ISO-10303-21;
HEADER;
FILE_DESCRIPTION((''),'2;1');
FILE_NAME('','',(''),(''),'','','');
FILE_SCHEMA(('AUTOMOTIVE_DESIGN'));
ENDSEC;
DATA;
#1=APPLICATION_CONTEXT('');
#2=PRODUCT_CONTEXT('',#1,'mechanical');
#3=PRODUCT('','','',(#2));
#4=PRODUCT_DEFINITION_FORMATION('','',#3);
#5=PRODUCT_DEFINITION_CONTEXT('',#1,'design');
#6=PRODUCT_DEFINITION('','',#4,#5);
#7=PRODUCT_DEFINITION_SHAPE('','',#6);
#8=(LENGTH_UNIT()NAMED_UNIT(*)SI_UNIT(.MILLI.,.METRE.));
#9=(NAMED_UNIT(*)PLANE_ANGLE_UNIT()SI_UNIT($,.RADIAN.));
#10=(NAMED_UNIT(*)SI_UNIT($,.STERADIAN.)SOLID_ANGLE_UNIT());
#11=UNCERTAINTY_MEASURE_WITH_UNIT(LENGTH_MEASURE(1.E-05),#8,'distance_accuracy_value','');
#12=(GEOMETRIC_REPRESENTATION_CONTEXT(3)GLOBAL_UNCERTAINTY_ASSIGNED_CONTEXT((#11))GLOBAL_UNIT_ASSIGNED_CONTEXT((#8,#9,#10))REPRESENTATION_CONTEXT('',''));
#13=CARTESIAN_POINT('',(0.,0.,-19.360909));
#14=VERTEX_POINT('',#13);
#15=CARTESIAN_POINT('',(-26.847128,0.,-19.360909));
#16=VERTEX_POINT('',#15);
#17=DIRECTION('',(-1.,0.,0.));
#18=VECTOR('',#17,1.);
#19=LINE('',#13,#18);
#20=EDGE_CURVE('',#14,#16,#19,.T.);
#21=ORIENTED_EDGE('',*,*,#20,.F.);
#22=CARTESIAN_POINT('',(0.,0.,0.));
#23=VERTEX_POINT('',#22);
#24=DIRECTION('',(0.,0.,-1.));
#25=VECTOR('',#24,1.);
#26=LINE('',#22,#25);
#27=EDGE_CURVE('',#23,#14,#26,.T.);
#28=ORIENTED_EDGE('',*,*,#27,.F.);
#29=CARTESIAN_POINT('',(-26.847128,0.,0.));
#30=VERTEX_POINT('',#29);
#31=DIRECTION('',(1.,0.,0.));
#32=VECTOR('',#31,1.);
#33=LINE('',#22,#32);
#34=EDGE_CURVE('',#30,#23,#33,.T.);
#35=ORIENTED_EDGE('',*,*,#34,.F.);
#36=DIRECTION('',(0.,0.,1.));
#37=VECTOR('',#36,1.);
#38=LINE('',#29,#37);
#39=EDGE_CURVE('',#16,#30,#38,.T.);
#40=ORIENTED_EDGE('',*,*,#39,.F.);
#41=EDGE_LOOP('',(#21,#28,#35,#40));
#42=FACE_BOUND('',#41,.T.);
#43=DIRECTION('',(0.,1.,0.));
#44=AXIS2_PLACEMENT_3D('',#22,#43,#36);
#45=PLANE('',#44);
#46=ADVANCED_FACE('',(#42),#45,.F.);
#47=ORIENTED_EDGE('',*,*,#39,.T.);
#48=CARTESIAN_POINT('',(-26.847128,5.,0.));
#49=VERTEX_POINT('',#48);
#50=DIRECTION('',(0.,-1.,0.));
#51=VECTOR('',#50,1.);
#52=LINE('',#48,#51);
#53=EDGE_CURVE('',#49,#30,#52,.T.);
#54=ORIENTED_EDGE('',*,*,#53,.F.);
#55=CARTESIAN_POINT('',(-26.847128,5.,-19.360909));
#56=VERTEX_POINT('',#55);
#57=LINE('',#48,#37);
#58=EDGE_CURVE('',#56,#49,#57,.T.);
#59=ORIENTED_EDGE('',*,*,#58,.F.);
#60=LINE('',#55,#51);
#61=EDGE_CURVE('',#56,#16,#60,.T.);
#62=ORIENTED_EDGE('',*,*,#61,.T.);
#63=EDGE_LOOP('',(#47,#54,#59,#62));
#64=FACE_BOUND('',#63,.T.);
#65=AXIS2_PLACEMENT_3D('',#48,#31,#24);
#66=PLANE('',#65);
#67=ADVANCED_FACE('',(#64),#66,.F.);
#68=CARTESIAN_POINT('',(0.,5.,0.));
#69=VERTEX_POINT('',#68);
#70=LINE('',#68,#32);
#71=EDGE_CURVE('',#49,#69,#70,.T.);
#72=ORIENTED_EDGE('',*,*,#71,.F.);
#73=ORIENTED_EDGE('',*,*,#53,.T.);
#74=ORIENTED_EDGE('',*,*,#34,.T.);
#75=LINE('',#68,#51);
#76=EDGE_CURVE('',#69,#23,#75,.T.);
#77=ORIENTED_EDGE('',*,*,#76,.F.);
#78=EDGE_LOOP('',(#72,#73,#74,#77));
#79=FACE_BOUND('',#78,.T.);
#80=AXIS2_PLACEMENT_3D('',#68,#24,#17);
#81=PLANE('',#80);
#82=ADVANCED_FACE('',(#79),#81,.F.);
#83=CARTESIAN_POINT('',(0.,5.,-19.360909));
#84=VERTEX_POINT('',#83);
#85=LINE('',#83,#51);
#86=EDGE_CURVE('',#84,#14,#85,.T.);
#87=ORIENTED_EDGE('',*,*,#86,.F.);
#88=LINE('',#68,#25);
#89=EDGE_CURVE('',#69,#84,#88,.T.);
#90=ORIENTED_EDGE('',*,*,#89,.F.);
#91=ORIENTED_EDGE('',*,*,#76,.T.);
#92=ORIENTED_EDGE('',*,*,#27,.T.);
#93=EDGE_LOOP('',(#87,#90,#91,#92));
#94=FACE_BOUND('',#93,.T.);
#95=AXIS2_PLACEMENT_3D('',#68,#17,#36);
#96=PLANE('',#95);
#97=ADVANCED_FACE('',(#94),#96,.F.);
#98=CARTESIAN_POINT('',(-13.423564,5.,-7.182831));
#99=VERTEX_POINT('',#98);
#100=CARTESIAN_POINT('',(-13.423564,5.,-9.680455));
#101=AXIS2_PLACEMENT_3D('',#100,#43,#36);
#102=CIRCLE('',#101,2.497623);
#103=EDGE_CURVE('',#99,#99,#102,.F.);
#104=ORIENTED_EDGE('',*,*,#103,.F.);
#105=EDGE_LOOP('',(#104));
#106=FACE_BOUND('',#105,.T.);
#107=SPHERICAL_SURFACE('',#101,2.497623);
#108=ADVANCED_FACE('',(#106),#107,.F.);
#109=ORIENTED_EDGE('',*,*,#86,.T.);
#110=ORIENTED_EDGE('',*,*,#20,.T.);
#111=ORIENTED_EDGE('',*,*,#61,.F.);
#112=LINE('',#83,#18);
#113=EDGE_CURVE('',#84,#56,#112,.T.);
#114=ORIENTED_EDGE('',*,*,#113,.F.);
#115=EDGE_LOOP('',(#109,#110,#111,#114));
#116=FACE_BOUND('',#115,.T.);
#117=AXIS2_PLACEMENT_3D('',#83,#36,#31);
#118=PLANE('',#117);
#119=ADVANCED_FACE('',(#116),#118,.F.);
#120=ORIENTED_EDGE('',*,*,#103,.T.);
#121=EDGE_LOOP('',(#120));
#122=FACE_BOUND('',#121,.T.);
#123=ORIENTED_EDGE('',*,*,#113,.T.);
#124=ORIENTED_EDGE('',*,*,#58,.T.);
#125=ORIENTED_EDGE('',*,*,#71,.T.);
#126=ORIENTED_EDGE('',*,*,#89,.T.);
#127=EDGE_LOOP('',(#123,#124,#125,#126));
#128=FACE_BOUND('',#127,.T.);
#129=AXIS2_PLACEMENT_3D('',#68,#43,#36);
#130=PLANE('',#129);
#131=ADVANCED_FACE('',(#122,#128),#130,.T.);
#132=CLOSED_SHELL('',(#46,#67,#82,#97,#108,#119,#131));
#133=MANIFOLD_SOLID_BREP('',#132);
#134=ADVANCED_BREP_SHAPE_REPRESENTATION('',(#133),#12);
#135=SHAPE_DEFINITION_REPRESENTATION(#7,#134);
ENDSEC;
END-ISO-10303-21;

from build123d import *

# Parameters (mm, degrees)
ESQUISSE1_W        = 26.847127718
ESQUISSE1_H        = 19.360909412
BOSS_EXTRU_1_DEPTH = 5


with BuildPart() as part:
    # Esquisse1 → Boss.-Extru.1 (new body)
    with BuildSketch(Plane(origin=(0, 0, 0), x_dir=(1, 0, 0), z_dir=(0, 1, 0))):
        with Locations((-13.423563859, 9.680454706)):
            Rectangle(ESQUISSE1_W, ESQUISSE1_H)
    extrude(amount=BOSS_EXTRU_1_DEPTH)

    # Esquisse2 → Enlèvement de matière-Révolution1 (revolve, cut)
    with BuildSketch(Plane(origin=(0, 5, 0), x_dir=(1, 0, 0), z_dir=(0, 1, 0))):
        with BuildLine():
            Line((-13.423563859, 12.17807818), (-13.423563859, 7.182831232))
            ThreePointArc((-13.423563859, 7.182831232), (-10.925940385, 9.680454706), (-13.423563859, 12.17807818))
        make_face()
    revolve(axis=Axis((-13.423563859, 5, -17.260196432), (0, 0, 1)), mode=Mode.SUBTRACT)


solid = part.part
